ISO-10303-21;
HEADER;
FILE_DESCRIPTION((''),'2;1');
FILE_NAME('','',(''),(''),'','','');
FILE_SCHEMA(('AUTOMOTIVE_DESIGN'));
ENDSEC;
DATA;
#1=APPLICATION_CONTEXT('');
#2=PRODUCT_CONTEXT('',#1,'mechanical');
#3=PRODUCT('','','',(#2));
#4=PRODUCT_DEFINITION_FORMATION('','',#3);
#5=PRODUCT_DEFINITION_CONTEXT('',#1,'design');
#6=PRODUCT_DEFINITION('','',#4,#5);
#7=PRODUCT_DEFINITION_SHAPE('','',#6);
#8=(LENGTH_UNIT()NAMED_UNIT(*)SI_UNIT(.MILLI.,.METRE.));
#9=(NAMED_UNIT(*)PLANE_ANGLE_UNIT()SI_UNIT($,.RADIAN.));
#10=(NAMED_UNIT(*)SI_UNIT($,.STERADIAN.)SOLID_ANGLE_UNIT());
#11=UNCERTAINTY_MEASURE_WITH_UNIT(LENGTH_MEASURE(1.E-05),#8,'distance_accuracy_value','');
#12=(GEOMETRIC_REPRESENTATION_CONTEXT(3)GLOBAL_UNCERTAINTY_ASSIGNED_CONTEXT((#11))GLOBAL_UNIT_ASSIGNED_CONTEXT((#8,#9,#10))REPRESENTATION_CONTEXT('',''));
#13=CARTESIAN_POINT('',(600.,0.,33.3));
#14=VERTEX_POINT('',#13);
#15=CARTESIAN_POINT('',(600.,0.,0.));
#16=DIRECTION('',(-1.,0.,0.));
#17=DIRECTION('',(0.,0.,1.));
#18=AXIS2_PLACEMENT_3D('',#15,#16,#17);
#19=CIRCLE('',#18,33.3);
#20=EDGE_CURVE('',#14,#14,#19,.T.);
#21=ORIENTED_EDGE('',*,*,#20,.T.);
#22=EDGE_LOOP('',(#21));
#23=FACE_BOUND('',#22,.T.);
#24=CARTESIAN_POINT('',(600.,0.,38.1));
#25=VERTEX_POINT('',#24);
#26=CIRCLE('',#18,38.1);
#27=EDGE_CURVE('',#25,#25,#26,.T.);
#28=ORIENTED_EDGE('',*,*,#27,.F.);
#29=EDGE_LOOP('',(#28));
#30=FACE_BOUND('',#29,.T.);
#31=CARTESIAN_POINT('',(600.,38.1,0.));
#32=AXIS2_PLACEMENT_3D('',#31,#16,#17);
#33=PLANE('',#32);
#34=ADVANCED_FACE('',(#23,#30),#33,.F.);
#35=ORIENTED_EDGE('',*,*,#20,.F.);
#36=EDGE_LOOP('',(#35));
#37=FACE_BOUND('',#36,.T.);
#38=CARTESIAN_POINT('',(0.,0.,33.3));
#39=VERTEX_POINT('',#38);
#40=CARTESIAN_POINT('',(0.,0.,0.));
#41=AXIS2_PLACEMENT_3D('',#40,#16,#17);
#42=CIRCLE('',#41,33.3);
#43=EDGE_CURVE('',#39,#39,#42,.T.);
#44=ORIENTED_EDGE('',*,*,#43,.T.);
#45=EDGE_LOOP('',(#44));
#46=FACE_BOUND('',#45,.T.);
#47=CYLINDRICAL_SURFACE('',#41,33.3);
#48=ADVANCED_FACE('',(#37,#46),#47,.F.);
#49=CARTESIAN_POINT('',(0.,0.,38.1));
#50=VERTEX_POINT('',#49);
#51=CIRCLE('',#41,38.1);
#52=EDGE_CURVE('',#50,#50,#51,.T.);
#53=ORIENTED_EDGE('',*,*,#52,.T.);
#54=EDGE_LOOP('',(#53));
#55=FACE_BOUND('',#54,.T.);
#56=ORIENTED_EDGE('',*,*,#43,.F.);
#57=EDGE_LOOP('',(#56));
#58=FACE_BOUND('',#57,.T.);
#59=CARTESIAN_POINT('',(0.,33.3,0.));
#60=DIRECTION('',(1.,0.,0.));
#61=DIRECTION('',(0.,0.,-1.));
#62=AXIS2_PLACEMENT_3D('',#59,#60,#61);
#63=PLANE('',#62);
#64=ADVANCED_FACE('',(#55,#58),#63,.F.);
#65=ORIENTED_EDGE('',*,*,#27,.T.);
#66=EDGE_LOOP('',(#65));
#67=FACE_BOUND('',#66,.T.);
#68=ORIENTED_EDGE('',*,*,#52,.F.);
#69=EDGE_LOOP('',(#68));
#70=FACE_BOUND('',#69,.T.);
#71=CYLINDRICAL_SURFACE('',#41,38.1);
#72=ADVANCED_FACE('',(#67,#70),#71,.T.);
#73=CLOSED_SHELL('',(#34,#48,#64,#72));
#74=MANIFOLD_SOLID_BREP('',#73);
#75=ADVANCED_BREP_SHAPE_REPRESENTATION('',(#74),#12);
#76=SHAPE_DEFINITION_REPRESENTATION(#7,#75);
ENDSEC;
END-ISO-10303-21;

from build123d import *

# Parameters (mm, degrees)
ESBO_O1_W = 600
ESBO_O1_H = 4.8


with BuildPart() as part:
    # Esboço1 → Revolução1 (revolve)
    with BuildSketch(Plane.XY):
        with Locations((300, 35.7)):
            Rectangle(ESBO_O1_W, ESBO_O1_H)
    revolve(axis=Axis((0, 0, 0), (1, 0, 0)))


solid = part.part
